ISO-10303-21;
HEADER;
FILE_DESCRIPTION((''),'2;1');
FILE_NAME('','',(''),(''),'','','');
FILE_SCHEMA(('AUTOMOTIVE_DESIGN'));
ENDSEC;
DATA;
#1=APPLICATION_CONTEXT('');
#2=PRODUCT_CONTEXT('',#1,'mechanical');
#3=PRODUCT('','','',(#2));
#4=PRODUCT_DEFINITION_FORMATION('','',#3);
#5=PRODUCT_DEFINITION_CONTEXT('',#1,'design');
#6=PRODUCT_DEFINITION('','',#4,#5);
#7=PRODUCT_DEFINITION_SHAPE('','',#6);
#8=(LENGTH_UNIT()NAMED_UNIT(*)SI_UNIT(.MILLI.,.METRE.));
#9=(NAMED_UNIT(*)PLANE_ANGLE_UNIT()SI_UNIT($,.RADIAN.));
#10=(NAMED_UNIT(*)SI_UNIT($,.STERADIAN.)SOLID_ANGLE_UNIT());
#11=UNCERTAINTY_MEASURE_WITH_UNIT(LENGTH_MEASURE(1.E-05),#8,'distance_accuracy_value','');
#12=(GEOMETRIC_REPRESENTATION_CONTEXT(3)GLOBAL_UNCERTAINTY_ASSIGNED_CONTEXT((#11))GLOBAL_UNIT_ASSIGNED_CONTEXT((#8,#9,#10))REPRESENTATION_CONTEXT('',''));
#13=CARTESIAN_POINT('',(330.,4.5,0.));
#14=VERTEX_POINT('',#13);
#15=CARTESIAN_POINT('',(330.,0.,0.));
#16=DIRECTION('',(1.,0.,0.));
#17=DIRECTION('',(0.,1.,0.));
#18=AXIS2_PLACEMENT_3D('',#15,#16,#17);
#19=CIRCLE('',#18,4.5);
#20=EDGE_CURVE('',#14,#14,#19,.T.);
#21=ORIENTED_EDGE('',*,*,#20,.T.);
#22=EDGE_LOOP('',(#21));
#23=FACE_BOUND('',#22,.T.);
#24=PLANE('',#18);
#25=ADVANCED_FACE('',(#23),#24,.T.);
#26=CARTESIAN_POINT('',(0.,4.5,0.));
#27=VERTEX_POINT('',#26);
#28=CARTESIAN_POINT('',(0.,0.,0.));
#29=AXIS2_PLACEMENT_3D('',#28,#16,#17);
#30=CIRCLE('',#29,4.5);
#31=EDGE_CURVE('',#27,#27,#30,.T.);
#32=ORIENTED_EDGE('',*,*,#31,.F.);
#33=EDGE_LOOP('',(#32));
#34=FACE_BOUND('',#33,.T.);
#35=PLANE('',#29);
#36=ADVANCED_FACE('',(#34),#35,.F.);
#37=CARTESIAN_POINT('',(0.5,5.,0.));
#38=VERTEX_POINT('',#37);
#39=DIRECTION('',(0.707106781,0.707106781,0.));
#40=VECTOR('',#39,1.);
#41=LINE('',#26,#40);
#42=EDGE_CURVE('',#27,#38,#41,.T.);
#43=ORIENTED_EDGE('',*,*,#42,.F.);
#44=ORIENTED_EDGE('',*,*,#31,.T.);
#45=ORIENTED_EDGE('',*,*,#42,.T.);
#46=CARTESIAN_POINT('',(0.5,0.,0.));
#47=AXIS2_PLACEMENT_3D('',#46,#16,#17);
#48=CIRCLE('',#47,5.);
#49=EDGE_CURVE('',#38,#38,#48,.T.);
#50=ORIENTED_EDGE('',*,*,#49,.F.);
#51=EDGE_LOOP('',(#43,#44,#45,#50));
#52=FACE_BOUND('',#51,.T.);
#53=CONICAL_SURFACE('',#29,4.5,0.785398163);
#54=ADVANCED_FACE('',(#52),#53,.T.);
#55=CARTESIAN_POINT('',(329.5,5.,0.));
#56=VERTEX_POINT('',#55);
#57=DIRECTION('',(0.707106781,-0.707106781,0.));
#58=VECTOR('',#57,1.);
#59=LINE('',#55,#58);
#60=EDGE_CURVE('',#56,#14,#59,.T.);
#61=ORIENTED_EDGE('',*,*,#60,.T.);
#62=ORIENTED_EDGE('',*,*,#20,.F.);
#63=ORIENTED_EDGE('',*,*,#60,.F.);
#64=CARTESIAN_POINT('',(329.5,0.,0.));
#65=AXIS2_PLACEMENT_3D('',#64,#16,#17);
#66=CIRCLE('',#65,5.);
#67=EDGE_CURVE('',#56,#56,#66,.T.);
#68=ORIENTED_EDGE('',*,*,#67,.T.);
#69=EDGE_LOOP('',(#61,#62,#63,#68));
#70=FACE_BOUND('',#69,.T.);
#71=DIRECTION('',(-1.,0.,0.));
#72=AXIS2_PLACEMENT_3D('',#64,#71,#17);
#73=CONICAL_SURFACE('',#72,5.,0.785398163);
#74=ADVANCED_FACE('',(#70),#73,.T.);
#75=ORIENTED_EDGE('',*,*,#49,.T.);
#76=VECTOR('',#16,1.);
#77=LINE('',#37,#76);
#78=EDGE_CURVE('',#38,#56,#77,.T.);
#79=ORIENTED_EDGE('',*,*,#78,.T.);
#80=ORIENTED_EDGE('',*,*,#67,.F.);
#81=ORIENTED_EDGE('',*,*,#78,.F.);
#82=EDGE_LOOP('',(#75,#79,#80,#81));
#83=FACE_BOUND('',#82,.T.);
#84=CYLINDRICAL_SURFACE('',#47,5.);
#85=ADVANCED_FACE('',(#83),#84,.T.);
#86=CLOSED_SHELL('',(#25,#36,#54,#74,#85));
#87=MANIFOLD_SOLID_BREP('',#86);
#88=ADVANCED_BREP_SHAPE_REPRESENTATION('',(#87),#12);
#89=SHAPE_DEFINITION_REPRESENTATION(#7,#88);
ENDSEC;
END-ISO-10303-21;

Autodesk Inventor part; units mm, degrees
sketch "Sketch_1" plane through (0, 0, 0) normal (0, 0, 1) x (1, 0, 0)
  line L0 (330, 0) -> (0, 0)
  line L1 (0, 0) -> (0, 4.5)
  line L2 (0, 4.5) -> (0.5, 5)
  line L3 (0.5, 5) -> (329.5, 5)
  line L4 (329.5, 5) -> (330, 4.5)
  line L5 (330, 4.5) -> (330, 0)
  line L6 (330, 0) -> (0, 0)
revolve "Revolution1" add sketch "Sketch_1" angle 360 about axis through (330, 0, 0) along (1, 0, 0)
ref_plane "COMBINATION_MODULE_XY" through (0, 0, 0) normal (1, 0, 0) x (0, 0, -1)
ref_plane "COMBINATION_MODULE_YZ" through (0, 0, 0) normal (0, 0, -1) x (0, 1, 0)
ref_plane "COMBINATION_MODULE_ZX" through (0, 0, 0) normal (0, 1, 0) x (1, 0, 0)
properties part number "SSFMR10-330_s"
